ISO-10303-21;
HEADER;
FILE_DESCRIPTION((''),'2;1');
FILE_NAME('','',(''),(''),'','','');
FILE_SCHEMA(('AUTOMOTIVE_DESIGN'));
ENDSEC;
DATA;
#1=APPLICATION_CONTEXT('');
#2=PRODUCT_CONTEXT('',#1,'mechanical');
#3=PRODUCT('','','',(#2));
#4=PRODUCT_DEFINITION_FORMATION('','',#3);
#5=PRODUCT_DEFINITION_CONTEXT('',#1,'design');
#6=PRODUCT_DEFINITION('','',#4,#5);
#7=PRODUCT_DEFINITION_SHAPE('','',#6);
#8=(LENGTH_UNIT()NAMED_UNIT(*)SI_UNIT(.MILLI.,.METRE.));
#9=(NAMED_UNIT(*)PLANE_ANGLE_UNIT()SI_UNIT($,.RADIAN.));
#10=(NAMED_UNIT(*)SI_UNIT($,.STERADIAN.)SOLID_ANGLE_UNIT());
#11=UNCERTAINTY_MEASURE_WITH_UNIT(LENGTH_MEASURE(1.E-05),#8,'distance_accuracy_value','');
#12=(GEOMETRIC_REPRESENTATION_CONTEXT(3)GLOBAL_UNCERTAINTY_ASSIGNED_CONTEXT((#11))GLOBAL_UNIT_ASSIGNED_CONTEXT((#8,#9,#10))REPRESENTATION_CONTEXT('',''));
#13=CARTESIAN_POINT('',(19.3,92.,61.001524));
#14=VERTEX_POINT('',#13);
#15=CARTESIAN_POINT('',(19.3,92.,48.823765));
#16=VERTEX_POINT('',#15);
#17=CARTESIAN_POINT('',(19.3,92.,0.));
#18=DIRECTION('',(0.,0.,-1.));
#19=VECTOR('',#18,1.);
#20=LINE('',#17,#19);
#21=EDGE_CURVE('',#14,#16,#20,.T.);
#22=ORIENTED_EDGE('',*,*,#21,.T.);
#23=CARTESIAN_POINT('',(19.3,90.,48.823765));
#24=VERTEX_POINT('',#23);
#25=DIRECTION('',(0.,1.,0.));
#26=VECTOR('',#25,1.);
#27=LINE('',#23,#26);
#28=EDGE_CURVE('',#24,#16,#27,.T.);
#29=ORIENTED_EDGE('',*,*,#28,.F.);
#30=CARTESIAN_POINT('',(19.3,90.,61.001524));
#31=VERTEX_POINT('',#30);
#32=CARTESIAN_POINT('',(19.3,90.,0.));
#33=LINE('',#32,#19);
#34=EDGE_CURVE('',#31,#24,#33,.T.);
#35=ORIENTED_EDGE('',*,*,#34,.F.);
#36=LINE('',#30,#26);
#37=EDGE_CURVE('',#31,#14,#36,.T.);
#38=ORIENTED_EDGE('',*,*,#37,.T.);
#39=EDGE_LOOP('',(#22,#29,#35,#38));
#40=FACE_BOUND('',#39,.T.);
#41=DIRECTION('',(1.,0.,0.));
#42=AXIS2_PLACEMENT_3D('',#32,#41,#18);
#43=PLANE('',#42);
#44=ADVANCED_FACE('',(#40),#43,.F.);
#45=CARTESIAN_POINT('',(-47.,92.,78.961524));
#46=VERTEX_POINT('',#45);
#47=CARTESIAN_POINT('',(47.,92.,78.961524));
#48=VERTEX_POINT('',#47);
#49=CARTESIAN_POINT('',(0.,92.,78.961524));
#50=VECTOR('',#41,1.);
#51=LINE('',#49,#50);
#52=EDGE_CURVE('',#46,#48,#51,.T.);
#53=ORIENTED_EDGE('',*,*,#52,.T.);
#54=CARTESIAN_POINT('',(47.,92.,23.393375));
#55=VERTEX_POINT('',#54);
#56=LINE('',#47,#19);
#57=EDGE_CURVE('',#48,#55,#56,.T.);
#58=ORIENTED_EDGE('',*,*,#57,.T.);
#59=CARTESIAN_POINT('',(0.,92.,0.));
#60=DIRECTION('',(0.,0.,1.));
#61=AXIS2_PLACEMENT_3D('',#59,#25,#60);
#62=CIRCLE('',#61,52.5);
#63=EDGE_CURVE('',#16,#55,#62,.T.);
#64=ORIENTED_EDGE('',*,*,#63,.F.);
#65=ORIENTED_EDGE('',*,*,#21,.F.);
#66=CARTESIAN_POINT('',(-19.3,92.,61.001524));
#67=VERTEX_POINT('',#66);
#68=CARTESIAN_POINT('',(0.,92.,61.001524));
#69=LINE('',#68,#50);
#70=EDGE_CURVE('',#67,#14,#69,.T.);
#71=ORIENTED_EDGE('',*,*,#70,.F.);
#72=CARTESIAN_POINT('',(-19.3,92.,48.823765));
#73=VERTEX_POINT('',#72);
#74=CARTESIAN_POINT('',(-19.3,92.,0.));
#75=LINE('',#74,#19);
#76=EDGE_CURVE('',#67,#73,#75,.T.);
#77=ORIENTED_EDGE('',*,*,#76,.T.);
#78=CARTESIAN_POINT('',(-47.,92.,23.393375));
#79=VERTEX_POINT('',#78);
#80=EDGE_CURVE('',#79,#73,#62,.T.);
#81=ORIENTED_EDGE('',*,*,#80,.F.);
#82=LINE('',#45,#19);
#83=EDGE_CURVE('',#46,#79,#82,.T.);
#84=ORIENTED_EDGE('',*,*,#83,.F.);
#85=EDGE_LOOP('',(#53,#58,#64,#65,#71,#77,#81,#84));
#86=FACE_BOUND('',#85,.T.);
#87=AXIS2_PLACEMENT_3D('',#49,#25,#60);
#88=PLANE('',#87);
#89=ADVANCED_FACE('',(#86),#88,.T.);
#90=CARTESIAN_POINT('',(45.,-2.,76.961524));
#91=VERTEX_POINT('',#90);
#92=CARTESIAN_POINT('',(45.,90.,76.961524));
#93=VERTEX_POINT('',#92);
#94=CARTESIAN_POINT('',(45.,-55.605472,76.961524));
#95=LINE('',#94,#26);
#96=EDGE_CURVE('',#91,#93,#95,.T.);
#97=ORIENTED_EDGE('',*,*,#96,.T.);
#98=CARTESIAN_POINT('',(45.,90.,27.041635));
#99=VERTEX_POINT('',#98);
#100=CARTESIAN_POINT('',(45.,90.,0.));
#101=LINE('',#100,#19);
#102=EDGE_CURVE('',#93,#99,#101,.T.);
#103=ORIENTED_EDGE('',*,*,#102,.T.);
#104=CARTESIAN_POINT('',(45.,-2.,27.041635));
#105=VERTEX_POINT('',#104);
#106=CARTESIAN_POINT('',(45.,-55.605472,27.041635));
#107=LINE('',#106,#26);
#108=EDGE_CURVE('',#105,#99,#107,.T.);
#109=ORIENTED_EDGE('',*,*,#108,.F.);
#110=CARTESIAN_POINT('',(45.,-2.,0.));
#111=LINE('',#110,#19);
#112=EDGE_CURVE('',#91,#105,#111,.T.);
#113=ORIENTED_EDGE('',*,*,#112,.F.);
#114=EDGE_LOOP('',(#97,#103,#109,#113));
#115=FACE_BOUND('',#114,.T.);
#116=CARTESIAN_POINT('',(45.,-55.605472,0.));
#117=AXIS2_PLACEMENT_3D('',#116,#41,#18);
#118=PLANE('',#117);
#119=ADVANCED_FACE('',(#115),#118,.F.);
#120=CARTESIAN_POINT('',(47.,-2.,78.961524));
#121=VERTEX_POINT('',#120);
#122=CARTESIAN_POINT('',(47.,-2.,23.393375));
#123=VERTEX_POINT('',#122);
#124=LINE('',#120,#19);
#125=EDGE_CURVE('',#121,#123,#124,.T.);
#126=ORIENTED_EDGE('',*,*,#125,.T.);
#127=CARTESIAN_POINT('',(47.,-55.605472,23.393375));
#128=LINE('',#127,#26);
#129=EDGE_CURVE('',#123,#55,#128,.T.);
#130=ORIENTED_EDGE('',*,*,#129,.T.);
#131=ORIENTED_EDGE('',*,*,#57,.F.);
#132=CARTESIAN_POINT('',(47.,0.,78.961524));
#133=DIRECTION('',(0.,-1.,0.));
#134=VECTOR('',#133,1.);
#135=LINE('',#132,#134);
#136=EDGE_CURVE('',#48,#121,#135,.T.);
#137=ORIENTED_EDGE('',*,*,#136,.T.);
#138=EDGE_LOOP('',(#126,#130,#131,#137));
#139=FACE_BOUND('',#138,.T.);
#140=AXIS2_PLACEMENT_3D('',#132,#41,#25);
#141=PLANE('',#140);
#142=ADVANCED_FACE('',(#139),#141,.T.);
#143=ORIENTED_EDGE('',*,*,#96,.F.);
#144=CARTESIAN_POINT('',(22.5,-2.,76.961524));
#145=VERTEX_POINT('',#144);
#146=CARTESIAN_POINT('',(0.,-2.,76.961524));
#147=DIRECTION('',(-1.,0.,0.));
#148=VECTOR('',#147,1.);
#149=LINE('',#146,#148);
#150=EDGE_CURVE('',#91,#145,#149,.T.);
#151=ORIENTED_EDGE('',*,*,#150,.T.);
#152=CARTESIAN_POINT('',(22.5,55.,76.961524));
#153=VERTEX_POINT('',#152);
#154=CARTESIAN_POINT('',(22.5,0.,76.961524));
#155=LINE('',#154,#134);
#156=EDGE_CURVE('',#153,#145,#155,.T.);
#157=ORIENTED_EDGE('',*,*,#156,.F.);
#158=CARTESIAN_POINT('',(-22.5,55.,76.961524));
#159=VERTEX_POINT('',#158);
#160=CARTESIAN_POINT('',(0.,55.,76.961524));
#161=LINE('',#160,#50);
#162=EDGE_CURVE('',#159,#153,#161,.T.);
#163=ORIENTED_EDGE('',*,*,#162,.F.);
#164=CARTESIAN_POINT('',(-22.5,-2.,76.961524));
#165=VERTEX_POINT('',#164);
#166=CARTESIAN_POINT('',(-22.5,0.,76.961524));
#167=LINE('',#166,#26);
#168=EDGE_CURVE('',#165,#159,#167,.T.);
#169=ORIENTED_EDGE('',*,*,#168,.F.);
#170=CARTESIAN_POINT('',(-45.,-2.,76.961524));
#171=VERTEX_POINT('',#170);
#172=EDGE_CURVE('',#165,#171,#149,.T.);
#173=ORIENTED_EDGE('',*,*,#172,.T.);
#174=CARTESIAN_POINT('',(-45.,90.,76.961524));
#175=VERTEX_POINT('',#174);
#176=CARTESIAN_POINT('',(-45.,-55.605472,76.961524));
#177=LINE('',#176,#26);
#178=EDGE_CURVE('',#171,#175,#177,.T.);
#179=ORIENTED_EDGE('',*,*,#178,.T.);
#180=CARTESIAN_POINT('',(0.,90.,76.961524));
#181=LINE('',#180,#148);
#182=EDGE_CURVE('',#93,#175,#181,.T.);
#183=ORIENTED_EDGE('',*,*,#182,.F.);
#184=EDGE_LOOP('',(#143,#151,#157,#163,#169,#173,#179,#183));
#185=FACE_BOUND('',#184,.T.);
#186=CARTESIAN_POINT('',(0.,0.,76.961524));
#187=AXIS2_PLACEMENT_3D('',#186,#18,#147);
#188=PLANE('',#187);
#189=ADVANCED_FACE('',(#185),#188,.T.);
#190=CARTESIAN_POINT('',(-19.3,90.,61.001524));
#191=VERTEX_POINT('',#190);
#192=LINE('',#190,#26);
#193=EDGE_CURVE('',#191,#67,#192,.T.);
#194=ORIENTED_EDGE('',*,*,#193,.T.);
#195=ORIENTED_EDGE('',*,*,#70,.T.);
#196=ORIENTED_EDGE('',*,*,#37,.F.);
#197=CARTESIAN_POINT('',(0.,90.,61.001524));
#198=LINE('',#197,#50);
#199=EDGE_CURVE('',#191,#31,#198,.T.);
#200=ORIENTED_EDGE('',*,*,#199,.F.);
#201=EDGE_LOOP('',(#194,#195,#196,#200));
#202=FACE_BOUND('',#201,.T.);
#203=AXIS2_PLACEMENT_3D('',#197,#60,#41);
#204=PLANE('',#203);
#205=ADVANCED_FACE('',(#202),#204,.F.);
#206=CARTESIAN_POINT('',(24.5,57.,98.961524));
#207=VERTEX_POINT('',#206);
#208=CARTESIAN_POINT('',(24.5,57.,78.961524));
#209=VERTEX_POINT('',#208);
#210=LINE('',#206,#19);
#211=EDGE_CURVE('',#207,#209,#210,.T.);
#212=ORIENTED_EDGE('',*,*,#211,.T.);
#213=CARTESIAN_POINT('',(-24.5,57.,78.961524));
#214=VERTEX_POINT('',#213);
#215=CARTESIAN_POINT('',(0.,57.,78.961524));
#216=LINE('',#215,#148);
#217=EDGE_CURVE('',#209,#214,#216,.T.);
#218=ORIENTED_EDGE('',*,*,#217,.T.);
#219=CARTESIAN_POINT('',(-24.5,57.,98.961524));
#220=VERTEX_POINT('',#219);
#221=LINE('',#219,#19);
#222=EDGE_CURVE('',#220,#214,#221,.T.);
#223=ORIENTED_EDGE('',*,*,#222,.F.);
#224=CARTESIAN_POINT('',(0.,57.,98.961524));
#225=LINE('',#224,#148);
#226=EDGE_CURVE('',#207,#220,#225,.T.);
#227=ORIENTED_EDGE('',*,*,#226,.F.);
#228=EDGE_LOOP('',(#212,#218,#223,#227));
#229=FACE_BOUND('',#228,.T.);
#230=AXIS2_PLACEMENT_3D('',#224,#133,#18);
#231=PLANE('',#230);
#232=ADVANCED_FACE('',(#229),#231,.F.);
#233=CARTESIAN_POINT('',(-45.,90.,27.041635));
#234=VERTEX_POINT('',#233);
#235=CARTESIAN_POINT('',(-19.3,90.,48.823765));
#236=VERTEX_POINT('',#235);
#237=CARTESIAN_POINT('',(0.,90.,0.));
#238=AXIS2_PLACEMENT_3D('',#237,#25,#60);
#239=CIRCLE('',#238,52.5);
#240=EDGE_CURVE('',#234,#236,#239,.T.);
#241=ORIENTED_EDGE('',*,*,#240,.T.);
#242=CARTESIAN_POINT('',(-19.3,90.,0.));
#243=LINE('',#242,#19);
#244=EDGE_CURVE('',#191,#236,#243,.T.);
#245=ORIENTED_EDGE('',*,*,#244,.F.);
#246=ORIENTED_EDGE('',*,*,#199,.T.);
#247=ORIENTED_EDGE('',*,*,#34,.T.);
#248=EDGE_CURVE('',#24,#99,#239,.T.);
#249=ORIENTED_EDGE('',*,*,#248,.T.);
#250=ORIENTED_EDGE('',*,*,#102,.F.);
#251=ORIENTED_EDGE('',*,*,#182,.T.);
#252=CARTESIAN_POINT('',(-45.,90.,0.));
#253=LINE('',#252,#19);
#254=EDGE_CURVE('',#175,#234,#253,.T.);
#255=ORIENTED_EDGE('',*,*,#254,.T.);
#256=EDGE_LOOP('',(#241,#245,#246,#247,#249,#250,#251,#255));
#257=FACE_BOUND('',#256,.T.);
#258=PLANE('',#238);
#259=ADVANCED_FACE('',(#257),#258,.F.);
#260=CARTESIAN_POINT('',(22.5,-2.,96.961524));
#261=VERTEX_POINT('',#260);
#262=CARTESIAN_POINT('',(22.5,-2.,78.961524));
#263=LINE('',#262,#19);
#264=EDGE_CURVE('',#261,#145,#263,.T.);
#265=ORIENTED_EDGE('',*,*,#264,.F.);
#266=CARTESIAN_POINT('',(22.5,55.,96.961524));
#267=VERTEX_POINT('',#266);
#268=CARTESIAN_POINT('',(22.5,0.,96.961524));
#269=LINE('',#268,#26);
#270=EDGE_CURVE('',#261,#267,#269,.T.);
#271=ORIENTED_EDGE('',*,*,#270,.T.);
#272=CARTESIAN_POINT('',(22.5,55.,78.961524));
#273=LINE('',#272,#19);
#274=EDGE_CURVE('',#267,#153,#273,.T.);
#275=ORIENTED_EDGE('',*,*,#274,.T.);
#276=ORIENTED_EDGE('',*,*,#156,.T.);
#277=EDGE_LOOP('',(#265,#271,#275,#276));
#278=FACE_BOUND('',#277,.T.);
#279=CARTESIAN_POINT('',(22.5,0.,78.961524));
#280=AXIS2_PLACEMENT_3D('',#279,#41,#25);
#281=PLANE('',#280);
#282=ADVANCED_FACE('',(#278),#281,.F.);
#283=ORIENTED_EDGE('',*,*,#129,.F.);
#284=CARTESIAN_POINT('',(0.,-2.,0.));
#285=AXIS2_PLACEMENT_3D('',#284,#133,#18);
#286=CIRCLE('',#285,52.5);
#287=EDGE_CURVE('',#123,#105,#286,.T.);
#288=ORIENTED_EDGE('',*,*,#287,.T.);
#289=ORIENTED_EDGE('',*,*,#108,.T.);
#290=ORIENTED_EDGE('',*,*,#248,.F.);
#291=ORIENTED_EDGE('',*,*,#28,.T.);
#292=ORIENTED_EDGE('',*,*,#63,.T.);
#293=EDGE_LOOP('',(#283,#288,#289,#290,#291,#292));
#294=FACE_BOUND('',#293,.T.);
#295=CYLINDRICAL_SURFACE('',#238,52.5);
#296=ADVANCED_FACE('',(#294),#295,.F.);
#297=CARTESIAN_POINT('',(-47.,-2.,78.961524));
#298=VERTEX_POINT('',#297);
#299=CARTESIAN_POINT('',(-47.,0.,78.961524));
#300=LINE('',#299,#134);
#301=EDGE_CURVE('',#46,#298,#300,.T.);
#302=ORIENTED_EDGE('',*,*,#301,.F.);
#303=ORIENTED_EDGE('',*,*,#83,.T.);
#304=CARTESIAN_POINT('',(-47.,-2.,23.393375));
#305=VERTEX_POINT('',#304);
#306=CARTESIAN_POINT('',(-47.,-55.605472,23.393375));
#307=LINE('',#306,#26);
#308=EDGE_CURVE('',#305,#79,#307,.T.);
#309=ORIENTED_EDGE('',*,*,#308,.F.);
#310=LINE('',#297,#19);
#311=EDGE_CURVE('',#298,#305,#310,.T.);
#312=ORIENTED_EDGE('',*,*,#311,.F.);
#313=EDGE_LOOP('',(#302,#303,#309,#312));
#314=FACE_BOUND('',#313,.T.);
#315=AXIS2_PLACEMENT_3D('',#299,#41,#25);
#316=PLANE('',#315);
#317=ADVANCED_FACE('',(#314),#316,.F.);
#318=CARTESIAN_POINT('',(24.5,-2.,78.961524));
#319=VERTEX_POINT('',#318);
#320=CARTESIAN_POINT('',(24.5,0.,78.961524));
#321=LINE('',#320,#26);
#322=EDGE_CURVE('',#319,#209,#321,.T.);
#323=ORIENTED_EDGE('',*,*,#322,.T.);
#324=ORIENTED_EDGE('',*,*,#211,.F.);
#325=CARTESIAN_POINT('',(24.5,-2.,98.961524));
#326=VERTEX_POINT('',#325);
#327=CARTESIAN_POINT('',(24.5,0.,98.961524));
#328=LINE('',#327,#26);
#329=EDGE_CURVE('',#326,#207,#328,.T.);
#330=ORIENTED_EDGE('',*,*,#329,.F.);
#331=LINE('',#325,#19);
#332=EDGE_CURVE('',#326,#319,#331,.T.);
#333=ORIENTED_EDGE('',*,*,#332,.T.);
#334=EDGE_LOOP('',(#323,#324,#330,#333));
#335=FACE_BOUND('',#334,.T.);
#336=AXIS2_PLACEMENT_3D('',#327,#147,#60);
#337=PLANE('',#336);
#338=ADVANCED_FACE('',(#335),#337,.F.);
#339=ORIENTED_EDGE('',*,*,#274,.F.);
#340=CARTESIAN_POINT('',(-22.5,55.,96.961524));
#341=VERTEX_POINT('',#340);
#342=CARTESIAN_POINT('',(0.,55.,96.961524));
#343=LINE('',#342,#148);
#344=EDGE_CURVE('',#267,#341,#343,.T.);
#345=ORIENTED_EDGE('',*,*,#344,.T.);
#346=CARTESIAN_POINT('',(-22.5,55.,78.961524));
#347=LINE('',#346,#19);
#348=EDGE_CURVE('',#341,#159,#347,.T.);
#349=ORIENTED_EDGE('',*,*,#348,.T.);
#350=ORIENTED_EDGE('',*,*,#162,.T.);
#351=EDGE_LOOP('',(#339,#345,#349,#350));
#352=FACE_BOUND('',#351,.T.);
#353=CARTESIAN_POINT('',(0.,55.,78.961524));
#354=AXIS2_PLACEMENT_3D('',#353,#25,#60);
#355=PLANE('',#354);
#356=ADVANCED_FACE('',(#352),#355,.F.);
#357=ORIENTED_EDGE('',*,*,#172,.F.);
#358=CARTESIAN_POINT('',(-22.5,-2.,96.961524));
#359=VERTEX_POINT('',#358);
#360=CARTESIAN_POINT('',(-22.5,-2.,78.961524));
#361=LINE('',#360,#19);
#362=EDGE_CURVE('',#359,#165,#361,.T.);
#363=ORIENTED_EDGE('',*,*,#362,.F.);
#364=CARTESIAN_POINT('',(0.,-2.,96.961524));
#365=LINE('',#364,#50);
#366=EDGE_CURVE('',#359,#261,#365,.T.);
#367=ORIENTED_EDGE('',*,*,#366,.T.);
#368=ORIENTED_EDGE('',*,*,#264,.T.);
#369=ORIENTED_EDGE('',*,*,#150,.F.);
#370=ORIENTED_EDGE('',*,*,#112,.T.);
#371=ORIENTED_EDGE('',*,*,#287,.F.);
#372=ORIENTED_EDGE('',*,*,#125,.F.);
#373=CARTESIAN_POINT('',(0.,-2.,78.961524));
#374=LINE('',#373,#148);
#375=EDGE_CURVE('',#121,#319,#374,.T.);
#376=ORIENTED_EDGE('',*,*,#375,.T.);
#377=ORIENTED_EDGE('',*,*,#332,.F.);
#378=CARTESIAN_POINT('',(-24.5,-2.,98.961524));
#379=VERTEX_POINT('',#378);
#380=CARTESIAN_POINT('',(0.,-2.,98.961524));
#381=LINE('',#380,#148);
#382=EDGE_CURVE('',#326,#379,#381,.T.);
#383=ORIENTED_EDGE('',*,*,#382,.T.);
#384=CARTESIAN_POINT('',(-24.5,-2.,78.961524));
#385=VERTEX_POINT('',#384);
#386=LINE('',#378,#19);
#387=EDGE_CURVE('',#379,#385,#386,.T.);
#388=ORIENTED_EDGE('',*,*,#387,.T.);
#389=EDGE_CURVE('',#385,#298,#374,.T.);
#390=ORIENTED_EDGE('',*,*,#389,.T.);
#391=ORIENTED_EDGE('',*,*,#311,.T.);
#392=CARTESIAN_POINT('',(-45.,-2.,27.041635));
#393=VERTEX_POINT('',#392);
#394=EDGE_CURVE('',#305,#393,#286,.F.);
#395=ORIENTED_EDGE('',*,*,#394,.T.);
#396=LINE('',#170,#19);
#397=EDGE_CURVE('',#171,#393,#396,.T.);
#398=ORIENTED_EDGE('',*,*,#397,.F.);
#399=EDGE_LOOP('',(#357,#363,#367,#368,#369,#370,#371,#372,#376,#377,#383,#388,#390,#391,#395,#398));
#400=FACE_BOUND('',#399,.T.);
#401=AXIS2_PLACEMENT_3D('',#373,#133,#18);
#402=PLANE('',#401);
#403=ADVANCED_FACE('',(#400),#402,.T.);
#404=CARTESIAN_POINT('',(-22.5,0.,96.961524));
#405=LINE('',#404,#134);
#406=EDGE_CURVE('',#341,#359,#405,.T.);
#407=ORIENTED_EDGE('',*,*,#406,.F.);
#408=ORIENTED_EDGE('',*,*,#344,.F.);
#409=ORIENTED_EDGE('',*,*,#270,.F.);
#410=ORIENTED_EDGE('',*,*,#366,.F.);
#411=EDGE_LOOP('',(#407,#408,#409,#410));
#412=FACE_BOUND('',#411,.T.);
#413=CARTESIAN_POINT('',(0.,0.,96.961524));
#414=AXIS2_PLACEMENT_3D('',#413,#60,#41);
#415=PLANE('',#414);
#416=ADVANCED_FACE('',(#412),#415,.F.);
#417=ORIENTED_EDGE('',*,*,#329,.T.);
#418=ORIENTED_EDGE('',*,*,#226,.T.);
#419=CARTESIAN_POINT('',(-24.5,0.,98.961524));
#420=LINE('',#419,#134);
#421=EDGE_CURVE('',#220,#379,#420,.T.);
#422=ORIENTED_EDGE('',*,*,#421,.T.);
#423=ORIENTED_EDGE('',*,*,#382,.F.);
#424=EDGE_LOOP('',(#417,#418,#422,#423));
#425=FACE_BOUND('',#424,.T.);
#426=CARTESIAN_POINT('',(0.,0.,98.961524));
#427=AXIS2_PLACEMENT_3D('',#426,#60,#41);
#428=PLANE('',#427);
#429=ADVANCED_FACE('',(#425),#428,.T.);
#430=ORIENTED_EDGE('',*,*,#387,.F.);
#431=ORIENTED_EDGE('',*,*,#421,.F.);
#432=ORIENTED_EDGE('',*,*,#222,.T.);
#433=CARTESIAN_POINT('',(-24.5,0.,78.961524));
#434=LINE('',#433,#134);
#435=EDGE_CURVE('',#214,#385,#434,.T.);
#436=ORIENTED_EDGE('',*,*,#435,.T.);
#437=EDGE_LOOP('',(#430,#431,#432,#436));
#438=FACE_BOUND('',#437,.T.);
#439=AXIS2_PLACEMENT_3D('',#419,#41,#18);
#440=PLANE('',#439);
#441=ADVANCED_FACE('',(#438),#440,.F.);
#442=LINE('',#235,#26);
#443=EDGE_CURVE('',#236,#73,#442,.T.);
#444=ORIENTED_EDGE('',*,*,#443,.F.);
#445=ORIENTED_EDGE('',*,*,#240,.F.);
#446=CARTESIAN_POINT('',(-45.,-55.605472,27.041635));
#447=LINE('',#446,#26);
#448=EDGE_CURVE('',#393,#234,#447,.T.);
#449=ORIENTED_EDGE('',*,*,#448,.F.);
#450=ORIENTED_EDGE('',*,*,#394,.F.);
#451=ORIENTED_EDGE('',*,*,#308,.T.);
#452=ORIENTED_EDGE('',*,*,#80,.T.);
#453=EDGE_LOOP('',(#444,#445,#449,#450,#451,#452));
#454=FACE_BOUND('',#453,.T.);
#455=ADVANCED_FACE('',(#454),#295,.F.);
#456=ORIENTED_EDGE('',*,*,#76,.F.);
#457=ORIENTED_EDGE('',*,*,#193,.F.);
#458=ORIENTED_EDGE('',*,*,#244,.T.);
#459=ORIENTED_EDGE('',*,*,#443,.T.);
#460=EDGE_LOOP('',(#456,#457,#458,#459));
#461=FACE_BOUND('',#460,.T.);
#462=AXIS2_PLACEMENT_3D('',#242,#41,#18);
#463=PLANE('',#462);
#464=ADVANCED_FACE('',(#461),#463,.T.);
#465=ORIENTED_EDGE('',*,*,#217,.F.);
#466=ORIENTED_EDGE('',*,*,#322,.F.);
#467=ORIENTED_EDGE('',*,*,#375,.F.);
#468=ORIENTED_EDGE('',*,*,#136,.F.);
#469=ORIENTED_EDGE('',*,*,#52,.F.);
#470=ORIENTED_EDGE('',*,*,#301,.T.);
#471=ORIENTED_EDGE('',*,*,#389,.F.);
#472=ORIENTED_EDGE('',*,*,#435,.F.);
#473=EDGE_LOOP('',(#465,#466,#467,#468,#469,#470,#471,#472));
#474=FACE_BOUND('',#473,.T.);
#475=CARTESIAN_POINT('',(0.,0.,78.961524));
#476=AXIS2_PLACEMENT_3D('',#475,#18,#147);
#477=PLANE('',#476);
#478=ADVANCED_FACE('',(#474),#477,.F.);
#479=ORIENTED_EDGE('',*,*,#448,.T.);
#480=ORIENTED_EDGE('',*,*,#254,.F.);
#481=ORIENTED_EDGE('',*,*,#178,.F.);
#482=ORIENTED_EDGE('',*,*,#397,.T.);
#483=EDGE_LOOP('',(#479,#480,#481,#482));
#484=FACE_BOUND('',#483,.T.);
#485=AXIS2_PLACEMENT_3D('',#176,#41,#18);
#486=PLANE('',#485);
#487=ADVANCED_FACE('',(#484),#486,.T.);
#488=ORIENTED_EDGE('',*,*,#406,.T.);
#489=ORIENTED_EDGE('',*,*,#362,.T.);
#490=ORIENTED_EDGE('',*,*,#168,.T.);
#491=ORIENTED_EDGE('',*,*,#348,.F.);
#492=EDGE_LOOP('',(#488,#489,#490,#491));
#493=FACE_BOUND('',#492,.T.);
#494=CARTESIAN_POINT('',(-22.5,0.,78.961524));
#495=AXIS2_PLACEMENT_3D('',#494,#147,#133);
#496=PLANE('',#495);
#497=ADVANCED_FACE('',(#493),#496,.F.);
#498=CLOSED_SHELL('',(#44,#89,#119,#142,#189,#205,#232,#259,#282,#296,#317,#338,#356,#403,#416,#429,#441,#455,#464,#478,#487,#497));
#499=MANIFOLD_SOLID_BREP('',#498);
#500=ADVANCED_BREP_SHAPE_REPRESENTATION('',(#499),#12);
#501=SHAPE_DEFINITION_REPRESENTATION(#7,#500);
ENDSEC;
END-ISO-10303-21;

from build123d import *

# Parameters (mm, degrees)
BOSS_EXTRU_1_START = -10
BOSS_EXTRU_1_DEPTH = 2
BOSS_EXTRU_2_START = -12
BOSS_EXTRU_2_DEPTH = 20
BOSS_EXTRU_3_START = -32
ESQUISSE3_4_W      = 45
ESQUISSE3_4_H      = 57
BOSS_EXTRU_3_DEPTH = 2
BOSS_EXTRU_4_DEPTH = 2
BOSS_EXTRU_5_DEPTH = 94


with BuildPart() as part:
    # Esquisse3 → Boss.-Extru.1 (new body)
    with BuildSketch(Plane(origin=(0, 0, 66.961524227), x_dir=(-1, 0, 0), z_dir=(0, 0, -1)).offset(BOSS_EXTRU_1_START)):
        Polygon((47, -2), (47, 92), (-47, 92), (-47, -2), (-24.5, -2), (-24.5, 57), (24.5, 57), (24.5, -2), align=None)
        Polygon((22.5, -2), (24.5, -2), (24.5, 57), (-24.5, 57), (-24.5, -2), (-22.5, -2), (-22.5, 55), (22.5, 55), align=None)
    extrude(amount=-BOSS_EXTRU_1_DEPTH)

    # Esquisse3<3> → Boss.-Extru.2 (add)
    with BuildSketch(Plane(origin=(0, 0, 66.961524227), x_dir=(-1, 0, 0), z_dir=(0, 0, -1)).offset(BOSS_EXTRU_2_START)):
        Polygon((22.5, -2), (24.5, -2), (24.5, 57), (-24.5, 57), (-24.5, -2), (-22.5, -2), (-22.5, 55), (22.5, 55), align=None)
    extrude(amount=-BOSS_EXTRU_2_DEPTH)

    # Esquisse3<4> → Boss.-Extru.3 (add)
    with BuildSketch(Plane(origin=(0, 0, 66.961524227), x_dir=(-1, 0, 0), z_dir=(0, 0, -1)).offset(BOSS_EXTRU_3_START)):
        with Locations((0, 26.5)):
            Rectangle(ESQUISSE3_4_W, ESQUISSE3_4_H)
    extrude(amount=BOSS_EXTRU_3_DEPTH)

    # Esquisse4 → Boss.-Extru.4 (add)
    with BuildSketch(Plane(origin=(0, 92, 0), x_dir=(1, 0, 0), z_dir=(0, 1, 0))):
        with BuildLine():
            Line((-45, -27.041634566), (-45, -76.961524227))
            Line((-45, -76.961524227), (45, -76.961524227))
            Line((45, -76.961524227), (45, -27.041634566))
            ThreePointArc((45, -27.041634566), (33.944628417, -40.050121119), (19.3, -48.823764705))
            Line((19.3, -48.823764705), (19.3, -61.001524227))
            Line((19.3, -61.001524227), (-19.3, -61.001524227))
            Line((-19.3, -61.001524227), (-19.3, -48.823764705))
            ThreePointArc((-19.3, -48.823764705), (-33.944628417, -40.050121119), (-45, -27.041634566))
        make_face()
    extrude(amount=-BOSS_EXTRU_4_DEPTH)

    # Esquisse4<3> → Boss.-Extru.5 (add)
    with BuildSketch(Plane(origin=(0, 92, 0), x_dir=(1, 0, 0), z_dir=(0, 1, 0))):
        with BuildLine():
            Line((45, -27.041634566), (45, -76.961524227))
            Line((45, -76.961524227), (47, -76.961524227))
            Line((47, -76.961524227), (47, -23.393375131))
            ThreePointArc((47, -23.393375131), (46.036153719, -25.237324557), (45, -27.041634566))
        make_face()
        with BuildLine():
            ThreePointArc((-47, -23.393375131), (-46.036153719, -25.237324557), (-45, -27.041634566))
            Line((-45, -27.041634566), (-45, -76.961524227))
            Line((-45, -76.961524227), (-47, -76.961524227))
            Line((-47, -76.961524227), (-47, -23.393375131))
        make_face()
    extrude(amount=-BOSS_EXTRU_5_DEPTH)


solid = part.part
